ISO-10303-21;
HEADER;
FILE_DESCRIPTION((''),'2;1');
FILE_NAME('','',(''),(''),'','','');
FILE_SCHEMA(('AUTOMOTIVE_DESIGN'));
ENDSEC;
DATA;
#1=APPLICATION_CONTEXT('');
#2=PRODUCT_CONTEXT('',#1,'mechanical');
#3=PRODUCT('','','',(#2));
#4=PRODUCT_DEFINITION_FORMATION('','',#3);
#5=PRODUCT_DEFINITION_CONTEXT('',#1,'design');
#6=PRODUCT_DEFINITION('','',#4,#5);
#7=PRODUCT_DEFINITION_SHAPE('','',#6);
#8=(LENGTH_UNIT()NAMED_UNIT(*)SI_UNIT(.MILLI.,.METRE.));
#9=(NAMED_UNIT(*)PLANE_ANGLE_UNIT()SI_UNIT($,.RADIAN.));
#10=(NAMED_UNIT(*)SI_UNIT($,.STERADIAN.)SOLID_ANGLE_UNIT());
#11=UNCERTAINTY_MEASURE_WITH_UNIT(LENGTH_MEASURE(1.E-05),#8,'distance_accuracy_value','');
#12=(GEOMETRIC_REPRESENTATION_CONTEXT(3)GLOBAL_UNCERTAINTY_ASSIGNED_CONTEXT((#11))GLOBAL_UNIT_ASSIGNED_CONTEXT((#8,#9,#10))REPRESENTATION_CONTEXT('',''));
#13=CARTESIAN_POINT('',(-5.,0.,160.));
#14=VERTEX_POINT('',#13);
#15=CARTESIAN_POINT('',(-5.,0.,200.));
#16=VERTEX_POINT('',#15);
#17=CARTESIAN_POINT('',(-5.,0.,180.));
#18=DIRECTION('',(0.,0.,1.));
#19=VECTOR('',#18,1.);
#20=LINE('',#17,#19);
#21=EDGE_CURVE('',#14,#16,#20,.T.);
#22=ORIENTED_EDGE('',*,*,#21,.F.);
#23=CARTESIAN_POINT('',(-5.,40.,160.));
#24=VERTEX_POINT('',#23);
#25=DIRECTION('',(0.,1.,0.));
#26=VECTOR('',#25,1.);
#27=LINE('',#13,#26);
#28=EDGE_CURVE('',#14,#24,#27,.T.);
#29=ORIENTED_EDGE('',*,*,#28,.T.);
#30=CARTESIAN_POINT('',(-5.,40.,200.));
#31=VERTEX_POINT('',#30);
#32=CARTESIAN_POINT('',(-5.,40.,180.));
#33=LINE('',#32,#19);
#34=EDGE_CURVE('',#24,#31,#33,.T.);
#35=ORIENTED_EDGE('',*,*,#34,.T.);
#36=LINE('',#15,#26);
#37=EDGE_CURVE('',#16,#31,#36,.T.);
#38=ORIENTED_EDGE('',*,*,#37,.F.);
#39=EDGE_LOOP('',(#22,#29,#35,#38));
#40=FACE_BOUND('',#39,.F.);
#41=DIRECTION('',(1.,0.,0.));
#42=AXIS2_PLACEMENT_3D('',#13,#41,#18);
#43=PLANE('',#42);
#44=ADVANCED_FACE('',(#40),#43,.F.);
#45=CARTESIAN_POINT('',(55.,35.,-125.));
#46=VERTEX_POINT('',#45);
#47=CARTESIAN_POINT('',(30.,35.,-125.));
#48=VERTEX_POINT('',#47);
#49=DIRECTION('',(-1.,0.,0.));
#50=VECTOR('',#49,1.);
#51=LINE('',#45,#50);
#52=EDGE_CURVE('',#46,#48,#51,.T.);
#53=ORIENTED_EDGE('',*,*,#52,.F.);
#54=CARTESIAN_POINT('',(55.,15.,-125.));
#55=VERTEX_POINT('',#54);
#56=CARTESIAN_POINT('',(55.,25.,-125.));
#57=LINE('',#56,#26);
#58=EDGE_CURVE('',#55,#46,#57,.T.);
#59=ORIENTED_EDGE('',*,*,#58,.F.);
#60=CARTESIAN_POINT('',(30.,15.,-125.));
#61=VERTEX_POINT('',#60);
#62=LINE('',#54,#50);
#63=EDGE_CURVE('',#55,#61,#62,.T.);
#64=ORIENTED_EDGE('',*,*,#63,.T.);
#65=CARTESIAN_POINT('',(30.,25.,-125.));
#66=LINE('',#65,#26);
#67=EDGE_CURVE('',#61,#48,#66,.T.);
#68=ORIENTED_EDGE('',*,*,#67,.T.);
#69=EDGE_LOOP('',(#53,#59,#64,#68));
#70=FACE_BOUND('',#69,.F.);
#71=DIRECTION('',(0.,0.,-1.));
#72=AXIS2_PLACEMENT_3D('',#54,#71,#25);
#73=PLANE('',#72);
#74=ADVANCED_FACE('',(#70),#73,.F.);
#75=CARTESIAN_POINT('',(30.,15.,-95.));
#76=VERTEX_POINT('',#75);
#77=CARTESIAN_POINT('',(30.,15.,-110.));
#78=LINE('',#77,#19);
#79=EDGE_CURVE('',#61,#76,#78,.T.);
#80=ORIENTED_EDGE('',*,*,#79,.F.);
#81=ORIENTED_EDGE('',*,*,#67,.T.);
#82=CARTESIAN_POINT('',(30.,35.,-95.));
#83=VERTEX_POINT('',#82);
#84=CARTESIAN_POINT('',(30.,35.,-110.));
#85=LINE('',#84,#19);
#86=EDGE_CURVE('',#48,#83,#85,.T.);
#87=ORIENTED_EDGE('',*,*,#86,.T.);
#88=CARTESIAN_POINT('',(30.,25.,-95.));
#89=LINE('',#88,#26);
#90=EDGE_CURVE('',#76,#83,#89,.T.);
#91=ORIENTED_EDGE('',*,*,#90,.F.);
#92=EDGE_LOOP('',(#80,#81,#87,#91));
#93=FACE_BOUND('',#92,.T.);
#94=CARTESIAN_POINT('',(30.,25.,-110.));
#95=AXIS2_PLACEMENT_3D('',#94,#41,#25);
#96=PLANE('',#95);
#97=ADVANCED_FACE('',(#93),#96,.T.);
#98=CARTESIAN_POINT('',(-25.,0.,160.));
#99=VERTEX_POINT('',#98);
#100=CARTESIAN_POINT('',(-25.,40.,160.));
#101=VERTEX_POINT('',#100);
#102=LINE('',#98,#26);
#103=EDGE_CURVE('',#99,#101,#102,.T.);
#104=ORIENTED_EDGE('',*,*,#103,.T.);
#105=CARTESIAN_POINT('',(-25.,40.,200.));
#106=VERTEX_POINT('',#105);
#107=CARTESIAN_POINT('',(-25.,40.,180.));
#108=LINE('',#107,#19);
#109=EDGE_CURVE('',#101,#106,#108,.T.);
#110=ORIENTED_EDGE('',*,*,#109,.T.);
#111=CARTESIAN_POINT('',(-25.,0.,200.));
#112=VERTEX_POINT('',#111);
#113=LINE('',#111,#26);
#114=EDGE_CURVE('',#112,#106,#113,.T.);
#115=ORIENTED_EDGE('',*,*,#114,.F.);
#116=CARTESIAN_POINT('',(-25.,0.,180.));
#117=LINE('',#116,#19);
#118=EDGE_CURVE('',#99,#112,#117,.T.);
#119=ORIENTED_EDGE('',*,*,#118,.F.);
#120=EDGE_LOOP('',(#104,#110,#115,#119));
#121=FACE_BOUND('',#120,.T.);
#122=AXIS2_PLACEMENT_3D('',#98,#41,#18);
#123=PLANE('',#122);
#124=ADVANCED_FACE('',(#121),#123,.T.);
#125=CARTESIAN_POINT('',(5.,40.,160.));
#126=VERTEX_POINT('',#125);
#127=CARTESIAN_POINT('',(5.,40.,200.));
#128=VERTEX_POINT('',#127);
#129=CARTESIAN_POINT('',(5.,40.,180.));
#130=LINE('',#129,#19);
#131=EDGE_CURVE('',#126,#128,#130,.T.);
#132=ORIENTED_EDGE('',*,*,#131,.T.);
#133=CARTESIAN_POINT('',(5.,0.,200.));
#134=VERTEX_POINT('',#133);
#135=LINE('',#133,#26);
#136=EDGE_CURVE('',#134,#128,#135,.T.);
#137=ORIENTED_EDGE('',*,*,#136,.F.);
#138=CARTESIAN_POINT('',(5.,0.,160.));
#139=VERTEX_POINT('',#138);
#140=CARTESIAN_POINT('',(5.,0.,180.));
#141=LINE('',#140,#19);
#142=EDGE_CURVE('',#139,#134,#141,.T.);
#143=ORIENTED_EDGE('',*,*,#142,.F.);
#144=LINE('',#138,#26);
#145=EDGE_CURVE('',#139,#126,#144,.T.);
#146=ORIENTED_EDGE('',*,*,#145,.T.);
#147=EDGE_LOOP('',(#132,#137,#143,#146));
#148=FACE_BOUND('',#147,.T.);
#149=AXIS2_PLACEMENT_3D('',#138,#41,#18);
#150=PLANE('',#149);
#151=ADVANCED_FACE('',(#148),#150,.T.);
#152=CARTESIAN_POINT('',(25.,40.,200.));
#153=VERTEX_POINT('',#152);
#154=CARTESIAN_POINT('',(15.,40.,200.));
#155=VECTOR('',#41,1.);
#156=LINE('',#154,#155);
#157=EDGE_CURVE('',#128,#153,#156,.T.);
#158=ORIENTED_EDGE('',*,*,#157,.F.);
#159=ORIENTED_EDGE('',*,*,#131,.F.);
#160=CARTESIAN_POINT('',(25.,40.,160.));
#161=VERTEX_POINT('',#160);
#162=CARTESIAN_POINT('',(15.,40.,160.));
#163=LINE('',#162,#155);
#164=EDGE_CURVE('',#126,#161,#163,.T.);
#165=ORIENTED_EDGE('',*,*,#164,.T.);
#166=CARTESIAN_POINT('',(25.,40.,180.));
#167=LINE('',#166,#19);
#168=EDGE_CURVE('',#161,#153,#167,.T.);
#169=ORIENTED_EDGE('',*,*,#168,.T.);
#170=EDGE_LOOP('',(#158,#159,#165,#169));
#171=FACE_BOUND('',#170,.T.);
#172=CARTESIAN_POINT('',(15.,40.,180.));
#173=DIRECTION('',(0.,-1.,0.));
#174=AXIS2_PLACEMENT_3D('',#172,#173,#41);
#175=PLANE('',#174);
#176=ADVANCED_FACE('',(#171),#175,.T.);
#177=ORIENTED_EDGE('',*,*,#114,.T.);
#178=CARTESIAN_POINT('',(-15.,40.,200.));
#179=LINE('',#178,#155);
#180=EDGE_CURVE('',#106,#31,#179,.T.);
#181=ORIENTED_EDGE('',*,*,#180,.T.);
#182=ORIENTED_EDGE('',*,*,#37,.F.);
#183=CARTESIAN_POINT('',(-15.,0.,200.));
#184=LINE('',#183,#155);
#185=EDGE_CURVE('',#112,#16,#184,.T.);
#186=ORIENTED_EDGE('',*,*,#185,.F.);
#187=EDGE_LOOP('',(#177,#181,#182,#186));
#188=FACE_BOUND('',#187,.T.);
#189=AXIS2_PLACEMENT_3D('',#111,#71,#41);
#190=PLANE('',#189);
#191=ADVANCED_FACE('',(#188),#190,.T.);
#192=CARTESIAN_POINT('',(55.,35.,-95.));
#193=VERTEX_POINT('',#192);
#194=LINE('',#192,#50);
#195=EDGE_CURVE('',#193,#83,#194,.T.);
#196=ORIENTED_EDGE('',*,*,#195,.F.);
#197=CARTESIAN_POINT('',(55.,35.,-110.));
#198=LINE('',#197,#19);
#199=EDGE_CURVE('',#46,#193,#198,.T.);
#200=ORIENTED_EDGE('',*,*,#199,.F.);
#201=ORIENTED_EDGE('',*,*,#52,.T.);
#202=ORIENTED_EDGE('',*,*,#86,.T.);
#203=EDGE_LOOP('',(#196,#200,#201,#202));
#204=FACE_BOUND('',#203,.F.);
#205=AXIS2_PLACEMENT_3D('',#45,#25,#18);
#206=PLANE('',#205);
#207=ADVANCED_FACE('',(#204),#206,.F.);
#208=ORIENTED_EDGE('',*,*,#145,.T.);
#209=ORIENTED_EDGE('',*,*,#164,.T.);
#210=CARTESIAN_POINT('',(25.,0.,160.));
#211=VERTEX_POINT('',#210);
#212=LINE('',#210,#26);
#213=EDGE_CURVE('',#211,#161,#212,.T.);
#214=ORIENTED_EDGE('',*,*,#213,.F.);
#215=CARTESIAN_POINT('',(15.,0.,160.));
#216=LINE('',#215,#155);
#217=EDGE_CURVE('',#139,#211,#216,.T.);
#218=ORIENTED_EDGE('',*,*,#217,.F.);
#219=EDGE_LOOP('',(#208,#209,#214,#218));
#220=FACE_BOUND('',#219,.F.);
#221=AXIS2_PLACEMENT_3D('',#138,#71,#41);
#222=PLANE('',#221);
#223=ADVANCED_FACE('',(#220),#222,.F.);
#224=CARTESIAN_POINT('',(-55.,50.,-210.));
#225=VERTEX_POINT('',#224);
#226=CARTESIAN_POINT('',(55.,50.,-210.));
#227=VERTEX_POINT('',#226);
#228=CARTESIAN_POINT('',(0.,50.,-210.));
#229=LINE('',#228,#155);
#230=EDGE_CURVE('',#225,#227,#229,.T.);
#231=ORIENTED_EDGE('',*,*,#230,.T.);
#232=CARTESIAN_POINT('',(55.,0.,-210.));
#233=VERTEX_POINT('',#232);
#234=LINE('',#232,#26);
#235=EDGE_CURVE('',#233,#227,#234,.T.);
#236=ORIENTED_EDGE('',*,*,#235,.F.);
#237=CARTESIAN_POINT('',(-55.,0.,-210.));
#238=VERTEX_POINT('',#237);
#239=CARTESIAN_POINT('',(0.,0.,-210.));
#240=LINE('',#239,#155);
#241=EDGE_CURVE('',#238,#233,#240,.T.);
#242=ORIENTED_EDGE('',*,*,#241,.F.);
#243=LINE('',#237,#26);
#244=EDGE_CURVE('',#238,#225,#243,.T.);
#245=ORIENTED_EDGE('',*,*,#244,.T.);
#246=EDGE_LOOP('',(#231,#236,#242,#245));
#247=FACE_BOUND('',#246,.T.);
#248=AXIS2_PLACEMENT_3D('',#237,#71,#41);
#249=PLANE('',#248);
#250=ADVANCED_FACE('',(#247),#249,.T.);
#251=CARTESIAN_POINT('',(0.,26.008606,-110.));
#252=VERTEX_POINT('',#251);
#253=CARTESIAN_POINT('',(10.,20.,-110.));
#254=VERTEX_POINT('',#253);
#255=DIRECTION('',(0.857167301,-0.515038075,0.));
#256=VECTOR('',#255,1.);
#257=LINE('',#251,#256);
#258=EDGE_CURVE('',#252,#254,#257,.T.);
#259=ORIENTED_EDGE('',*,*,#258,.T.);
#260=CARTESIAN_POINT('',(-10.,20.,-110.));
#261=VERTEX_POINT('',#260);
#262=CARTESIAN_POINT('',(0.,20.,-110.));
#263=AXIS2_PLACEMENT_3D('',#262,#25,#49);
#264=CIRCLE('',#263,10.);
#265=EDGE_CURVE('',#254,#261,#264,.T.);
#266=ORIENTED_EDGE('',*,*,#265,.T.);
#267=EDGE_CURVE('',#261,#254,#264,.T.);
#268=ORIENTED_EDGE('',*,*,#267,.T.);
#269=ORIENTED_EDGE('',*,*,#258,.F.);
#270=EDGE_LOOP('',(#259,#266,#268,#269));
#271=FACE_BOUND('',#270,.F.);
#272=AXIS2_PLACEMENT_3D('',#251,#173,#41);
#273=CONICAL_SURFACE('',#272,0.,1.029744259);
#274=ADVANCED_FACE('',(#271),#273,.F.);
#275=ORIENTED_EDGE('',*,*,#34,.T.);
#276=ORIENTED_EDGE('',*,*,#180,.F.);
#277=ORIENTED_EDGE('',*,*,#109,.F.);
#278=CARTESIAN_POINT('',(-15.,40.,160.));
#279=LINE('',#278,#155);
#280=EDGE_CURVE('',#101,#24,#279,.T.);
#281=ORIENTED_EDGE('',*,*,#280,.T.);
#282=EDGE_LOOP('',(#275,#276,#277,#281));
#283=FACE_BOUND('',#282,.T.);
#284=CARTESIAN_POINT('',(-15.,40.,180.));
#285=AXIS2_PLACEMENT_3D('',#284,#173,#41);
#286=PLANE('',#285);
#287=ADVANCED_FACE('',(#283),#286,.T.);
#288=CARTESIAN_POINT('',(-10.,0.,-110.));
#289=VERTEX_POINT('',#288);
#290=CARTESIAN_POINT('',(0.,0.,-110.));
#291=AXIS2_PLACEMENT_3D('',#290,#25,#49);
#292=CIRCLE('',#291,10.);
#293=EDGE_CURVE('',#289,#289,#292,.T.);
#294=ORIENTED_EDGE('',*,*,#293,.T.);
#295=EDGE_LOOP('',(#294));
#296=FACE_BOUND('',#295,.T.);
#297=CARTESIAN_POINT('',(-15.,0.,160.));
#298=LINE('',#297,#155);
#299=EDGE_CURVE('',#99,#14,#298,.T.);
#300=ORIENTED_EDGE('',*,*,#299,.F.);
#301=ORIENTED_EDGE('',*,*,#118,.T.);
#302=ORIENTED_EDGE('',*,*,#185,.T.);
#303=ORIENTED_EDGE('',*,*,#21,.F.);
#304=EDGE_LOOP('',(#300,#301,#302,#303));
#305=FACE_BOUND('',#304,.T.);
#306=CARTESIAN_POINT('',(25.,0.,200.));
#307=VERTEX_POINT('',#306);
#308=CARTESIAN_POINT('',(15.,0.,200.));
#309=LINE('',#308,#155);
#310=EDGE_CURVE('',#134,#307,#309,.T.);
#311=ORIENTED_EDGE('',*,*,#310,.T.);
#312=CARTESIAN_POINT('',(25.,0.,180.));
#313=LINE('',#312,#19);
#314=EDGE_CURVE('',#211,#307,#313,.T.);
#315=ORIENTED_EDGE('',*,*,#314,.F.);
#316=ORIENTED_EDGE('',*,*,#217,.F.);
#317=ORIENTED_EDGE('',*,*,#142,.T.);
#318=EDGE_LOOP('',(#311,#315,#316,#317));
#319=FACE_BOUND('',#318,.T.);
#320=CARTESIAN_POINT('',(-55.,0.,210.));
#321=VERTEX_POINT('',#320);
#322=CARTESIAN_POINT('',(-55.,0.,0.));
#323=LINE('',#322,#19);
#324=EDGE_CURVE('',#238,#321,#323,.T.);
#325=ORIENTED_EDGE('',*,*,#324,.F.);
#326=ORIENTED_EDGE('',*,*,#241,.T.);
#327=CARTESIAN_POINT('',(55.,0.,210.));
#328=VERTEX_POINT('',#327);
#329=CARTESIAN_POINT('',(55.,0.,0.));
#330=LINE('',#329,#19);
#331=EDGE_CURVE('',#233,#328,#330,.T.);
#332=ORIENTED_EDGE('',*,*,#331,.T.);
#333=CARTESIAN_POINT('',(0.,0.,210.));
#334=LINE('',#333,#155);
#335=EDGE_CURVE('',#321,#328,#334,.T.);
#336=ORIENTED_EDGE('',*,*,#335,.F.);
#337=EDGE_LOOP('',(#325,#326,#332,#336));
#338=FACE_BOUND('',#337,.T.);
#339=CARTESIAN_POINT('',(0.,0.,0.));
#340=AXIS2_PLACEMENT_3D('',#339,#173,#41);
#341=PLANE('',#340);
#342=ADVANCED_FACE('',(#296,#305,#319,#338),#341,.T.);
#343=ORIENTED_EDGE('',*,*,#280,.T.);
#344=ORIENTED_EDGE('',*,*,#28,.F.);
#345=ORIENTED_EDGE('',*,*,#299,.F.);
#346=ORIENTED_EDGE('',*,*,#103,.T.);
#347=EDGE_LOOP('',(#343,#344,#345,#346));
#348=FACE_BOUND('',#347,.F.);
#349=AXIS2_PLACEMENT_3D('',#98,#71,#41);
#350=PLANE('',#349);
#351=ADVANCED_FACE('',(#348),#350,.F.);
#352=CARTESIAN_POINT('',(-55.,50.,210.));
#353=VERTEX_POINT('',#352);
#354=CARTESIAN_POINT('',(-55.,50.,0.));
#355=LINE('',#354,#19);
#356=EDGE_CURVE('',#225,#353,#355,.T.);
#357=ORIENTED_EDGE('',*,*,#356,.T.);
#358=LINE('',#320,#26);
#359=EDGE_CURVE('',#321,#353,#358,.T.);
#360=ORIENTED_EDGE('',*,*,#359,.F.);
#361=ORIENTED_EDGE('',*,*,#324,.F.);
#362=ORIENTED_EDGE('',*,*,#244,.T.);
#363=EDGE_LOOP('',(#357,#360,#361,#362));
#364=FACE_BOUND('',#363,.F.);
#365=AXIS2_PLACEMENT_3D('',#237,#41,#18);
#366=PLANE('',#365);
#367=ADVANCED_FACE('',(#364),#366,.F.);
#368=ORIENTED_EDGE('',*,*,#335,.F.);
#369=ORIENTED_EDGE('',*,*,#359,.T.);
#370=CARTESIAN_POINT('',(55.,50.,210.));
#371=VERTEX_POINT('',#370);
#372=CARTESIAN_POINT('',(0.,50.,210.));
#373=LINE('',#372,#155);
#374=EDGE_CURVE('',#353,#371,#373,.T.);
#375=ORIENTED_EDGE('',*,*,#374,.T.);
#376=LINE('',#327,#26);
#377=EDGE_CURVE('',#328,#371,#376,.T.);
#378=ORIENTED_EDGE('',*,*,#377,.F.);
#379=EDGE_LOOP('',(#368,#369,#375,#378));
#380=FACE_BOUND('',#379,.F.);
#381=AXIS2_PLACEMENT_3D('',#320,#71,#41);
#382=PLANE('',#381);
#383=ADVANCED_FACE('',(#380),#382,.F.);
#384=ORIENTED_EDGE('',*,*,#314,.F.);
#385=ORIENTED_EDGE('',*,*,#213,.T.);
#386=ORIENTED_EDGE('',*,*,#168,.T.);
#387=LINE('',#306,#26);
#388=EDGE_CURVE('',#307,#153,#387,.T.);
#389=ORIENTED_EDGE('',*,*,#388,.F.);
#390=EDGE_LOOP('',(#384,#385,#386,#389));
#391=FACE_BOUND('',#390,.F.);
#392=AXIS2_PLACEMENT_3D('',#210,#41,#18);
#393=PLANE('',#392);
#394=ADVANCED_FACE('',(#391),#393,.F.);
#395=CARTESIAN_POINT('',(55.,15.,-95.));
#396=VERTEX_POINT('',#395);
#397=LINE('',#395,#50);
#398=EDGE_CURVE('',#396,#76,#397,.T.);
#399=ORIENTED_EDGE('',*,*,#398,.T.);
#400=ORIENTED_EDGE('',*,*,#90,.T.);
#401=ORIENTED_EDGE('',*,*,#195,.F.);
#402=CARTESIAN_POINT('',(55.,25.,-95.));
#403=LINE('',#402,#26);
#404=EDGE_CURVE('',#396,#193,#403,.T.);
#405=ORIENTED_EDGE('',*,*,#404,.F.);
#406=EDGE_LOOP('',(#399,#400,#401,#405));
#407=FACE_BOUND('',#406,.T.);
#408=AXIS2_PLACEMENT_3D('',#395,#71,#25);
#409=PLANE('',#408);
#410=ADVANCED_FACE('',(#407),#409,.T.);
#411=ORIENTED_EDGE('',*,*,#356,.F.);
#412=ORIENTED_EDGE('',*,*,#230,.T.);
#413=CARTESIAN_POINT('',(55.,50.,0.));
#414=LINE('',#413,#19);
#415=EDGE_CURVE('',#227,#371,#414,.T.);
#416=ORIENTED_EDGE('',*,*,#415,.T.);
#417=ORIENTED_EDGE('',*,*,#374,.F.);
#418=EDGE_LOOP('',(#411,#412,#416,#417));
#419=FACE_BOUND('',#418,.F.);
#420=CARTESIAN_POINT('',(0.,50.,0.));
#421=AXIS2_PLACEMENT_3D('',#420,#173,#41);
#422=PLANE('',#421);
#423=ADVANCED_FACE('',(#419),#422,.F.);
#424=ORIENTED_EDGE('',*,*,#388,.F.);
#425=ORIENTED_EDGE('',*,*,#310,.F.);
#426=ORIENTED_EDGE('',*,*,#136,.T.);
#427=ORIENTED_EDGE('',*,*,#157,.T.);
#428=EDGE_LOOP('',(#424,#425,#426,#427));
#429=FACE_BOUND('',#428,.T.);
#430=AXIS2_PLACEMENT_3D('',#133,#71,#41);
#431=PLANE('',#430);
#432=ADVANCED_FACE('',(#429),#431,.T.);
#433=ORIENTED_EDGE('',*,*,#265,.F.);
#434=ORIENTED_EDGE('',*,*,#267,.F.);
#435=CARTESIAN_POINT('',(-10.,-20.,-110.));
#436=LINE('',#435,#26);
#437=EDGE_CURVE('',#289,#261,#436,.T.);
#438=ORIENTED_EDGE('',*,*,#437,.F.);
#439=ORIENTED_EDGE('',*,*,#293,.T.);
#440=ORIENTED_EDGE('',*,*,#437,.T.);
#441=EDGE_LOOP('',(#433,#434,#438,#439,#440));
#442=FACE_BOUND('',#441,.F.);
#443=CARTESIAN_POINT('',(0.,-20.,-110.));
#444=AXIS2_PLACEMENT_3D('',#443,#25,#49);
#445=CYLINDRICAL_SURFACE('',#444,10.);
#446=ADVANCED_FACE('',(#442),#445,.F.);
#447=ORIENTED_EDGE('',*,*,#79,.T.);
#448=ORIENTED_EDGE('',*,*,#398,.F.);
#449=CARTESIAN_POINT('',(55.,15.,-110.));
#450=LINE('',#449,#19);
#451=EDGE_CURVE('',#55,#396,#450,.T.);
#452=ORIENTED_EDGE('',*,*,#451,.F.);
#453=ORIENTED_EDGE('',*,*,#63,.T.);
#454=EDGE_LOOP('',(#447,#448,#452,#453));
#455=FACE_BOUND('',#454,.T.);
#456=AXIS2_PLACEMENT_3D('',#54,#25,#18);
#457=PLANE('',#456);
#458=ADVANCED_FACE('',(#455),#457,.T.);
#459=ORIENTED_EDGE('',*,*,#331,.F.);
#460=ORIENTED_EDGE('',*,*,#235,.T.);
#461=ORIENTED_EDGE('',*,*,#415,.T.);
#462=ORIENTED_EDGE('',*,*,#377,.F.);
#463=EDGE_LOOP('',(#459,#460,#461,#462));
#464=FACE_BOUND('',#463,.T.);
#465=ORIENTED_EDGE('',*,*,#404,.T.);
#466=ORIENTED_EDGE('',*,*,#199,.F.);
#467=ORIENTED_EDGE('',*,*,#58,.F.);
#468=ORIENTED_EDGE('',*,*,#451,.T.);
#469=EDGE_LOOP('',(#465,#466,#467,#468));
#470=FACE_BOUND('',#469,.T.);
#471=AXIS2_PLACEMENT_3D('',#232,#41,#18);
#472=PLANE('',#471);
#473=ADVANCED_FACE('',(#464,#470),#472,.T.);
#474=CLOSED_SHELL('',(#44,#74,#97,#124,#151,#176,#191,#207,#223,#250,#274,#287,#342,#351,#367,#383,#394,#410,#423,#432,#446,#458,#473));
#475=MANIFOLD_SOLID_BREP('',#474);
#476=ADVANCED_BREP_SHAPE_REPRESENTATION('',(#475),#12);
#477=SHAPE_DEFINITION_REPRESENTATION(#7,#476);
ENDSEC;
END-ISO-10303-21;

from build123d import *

# Parameters (mm, degrees)
F0_W     = 110
F0_H     = 420
F1_DEPTH = 50
F3_D     = 20
F3_DEPTH = 20
F3_TIP   = 6.0086061903
F2_W     = 20
F2_H     = 40
F4_DEPTH = 40
F5_W     = 20
F5_H     = 30
F6_DEPTH = 25


with BuildPart() as f1:
    # F0 (on Front) → F1 (new body)
    with BuildSketch(Plane.XZ):
        Rectangle(F0_W, F0_H)
    extrude(amount=-F1_DEPTH)

    # F3
    with Locations(Plane.XZ):
        with Locations((0, -110)):
            Hole(F3_D / 2, depth=F3_DEPTH)
            with Locations((0, 0, -(F3_DEPTH + F3_TIP / 2))):  # 118° drill point
                Cone(0, F3_D / 2, F3_TIP, mode=Mode.SUBTRACT)

    # F2 (on face) → F4 (cut)
    with BuildSketch(Plane.XZ):
        with Locations((-15, 180)):
            Rectangle(F2_W, F2_H)
        with Locations((15, 180)):
            Rectangle(F2_W, F2_H)
    extrude(amount=-F4_DEPTH, mode=Mode.SUBTRACT)

    # F5 (on face) → F6 (cut)
    with BuildSketch(Plane.YZ.offset(55)):
        with Locations((25, -110)):
            Rectangle(F5_W, F5_H)
    extrude(amount=-F6_DEPTH, mode=Mode.SUBTRACT)


solid = f1.part
